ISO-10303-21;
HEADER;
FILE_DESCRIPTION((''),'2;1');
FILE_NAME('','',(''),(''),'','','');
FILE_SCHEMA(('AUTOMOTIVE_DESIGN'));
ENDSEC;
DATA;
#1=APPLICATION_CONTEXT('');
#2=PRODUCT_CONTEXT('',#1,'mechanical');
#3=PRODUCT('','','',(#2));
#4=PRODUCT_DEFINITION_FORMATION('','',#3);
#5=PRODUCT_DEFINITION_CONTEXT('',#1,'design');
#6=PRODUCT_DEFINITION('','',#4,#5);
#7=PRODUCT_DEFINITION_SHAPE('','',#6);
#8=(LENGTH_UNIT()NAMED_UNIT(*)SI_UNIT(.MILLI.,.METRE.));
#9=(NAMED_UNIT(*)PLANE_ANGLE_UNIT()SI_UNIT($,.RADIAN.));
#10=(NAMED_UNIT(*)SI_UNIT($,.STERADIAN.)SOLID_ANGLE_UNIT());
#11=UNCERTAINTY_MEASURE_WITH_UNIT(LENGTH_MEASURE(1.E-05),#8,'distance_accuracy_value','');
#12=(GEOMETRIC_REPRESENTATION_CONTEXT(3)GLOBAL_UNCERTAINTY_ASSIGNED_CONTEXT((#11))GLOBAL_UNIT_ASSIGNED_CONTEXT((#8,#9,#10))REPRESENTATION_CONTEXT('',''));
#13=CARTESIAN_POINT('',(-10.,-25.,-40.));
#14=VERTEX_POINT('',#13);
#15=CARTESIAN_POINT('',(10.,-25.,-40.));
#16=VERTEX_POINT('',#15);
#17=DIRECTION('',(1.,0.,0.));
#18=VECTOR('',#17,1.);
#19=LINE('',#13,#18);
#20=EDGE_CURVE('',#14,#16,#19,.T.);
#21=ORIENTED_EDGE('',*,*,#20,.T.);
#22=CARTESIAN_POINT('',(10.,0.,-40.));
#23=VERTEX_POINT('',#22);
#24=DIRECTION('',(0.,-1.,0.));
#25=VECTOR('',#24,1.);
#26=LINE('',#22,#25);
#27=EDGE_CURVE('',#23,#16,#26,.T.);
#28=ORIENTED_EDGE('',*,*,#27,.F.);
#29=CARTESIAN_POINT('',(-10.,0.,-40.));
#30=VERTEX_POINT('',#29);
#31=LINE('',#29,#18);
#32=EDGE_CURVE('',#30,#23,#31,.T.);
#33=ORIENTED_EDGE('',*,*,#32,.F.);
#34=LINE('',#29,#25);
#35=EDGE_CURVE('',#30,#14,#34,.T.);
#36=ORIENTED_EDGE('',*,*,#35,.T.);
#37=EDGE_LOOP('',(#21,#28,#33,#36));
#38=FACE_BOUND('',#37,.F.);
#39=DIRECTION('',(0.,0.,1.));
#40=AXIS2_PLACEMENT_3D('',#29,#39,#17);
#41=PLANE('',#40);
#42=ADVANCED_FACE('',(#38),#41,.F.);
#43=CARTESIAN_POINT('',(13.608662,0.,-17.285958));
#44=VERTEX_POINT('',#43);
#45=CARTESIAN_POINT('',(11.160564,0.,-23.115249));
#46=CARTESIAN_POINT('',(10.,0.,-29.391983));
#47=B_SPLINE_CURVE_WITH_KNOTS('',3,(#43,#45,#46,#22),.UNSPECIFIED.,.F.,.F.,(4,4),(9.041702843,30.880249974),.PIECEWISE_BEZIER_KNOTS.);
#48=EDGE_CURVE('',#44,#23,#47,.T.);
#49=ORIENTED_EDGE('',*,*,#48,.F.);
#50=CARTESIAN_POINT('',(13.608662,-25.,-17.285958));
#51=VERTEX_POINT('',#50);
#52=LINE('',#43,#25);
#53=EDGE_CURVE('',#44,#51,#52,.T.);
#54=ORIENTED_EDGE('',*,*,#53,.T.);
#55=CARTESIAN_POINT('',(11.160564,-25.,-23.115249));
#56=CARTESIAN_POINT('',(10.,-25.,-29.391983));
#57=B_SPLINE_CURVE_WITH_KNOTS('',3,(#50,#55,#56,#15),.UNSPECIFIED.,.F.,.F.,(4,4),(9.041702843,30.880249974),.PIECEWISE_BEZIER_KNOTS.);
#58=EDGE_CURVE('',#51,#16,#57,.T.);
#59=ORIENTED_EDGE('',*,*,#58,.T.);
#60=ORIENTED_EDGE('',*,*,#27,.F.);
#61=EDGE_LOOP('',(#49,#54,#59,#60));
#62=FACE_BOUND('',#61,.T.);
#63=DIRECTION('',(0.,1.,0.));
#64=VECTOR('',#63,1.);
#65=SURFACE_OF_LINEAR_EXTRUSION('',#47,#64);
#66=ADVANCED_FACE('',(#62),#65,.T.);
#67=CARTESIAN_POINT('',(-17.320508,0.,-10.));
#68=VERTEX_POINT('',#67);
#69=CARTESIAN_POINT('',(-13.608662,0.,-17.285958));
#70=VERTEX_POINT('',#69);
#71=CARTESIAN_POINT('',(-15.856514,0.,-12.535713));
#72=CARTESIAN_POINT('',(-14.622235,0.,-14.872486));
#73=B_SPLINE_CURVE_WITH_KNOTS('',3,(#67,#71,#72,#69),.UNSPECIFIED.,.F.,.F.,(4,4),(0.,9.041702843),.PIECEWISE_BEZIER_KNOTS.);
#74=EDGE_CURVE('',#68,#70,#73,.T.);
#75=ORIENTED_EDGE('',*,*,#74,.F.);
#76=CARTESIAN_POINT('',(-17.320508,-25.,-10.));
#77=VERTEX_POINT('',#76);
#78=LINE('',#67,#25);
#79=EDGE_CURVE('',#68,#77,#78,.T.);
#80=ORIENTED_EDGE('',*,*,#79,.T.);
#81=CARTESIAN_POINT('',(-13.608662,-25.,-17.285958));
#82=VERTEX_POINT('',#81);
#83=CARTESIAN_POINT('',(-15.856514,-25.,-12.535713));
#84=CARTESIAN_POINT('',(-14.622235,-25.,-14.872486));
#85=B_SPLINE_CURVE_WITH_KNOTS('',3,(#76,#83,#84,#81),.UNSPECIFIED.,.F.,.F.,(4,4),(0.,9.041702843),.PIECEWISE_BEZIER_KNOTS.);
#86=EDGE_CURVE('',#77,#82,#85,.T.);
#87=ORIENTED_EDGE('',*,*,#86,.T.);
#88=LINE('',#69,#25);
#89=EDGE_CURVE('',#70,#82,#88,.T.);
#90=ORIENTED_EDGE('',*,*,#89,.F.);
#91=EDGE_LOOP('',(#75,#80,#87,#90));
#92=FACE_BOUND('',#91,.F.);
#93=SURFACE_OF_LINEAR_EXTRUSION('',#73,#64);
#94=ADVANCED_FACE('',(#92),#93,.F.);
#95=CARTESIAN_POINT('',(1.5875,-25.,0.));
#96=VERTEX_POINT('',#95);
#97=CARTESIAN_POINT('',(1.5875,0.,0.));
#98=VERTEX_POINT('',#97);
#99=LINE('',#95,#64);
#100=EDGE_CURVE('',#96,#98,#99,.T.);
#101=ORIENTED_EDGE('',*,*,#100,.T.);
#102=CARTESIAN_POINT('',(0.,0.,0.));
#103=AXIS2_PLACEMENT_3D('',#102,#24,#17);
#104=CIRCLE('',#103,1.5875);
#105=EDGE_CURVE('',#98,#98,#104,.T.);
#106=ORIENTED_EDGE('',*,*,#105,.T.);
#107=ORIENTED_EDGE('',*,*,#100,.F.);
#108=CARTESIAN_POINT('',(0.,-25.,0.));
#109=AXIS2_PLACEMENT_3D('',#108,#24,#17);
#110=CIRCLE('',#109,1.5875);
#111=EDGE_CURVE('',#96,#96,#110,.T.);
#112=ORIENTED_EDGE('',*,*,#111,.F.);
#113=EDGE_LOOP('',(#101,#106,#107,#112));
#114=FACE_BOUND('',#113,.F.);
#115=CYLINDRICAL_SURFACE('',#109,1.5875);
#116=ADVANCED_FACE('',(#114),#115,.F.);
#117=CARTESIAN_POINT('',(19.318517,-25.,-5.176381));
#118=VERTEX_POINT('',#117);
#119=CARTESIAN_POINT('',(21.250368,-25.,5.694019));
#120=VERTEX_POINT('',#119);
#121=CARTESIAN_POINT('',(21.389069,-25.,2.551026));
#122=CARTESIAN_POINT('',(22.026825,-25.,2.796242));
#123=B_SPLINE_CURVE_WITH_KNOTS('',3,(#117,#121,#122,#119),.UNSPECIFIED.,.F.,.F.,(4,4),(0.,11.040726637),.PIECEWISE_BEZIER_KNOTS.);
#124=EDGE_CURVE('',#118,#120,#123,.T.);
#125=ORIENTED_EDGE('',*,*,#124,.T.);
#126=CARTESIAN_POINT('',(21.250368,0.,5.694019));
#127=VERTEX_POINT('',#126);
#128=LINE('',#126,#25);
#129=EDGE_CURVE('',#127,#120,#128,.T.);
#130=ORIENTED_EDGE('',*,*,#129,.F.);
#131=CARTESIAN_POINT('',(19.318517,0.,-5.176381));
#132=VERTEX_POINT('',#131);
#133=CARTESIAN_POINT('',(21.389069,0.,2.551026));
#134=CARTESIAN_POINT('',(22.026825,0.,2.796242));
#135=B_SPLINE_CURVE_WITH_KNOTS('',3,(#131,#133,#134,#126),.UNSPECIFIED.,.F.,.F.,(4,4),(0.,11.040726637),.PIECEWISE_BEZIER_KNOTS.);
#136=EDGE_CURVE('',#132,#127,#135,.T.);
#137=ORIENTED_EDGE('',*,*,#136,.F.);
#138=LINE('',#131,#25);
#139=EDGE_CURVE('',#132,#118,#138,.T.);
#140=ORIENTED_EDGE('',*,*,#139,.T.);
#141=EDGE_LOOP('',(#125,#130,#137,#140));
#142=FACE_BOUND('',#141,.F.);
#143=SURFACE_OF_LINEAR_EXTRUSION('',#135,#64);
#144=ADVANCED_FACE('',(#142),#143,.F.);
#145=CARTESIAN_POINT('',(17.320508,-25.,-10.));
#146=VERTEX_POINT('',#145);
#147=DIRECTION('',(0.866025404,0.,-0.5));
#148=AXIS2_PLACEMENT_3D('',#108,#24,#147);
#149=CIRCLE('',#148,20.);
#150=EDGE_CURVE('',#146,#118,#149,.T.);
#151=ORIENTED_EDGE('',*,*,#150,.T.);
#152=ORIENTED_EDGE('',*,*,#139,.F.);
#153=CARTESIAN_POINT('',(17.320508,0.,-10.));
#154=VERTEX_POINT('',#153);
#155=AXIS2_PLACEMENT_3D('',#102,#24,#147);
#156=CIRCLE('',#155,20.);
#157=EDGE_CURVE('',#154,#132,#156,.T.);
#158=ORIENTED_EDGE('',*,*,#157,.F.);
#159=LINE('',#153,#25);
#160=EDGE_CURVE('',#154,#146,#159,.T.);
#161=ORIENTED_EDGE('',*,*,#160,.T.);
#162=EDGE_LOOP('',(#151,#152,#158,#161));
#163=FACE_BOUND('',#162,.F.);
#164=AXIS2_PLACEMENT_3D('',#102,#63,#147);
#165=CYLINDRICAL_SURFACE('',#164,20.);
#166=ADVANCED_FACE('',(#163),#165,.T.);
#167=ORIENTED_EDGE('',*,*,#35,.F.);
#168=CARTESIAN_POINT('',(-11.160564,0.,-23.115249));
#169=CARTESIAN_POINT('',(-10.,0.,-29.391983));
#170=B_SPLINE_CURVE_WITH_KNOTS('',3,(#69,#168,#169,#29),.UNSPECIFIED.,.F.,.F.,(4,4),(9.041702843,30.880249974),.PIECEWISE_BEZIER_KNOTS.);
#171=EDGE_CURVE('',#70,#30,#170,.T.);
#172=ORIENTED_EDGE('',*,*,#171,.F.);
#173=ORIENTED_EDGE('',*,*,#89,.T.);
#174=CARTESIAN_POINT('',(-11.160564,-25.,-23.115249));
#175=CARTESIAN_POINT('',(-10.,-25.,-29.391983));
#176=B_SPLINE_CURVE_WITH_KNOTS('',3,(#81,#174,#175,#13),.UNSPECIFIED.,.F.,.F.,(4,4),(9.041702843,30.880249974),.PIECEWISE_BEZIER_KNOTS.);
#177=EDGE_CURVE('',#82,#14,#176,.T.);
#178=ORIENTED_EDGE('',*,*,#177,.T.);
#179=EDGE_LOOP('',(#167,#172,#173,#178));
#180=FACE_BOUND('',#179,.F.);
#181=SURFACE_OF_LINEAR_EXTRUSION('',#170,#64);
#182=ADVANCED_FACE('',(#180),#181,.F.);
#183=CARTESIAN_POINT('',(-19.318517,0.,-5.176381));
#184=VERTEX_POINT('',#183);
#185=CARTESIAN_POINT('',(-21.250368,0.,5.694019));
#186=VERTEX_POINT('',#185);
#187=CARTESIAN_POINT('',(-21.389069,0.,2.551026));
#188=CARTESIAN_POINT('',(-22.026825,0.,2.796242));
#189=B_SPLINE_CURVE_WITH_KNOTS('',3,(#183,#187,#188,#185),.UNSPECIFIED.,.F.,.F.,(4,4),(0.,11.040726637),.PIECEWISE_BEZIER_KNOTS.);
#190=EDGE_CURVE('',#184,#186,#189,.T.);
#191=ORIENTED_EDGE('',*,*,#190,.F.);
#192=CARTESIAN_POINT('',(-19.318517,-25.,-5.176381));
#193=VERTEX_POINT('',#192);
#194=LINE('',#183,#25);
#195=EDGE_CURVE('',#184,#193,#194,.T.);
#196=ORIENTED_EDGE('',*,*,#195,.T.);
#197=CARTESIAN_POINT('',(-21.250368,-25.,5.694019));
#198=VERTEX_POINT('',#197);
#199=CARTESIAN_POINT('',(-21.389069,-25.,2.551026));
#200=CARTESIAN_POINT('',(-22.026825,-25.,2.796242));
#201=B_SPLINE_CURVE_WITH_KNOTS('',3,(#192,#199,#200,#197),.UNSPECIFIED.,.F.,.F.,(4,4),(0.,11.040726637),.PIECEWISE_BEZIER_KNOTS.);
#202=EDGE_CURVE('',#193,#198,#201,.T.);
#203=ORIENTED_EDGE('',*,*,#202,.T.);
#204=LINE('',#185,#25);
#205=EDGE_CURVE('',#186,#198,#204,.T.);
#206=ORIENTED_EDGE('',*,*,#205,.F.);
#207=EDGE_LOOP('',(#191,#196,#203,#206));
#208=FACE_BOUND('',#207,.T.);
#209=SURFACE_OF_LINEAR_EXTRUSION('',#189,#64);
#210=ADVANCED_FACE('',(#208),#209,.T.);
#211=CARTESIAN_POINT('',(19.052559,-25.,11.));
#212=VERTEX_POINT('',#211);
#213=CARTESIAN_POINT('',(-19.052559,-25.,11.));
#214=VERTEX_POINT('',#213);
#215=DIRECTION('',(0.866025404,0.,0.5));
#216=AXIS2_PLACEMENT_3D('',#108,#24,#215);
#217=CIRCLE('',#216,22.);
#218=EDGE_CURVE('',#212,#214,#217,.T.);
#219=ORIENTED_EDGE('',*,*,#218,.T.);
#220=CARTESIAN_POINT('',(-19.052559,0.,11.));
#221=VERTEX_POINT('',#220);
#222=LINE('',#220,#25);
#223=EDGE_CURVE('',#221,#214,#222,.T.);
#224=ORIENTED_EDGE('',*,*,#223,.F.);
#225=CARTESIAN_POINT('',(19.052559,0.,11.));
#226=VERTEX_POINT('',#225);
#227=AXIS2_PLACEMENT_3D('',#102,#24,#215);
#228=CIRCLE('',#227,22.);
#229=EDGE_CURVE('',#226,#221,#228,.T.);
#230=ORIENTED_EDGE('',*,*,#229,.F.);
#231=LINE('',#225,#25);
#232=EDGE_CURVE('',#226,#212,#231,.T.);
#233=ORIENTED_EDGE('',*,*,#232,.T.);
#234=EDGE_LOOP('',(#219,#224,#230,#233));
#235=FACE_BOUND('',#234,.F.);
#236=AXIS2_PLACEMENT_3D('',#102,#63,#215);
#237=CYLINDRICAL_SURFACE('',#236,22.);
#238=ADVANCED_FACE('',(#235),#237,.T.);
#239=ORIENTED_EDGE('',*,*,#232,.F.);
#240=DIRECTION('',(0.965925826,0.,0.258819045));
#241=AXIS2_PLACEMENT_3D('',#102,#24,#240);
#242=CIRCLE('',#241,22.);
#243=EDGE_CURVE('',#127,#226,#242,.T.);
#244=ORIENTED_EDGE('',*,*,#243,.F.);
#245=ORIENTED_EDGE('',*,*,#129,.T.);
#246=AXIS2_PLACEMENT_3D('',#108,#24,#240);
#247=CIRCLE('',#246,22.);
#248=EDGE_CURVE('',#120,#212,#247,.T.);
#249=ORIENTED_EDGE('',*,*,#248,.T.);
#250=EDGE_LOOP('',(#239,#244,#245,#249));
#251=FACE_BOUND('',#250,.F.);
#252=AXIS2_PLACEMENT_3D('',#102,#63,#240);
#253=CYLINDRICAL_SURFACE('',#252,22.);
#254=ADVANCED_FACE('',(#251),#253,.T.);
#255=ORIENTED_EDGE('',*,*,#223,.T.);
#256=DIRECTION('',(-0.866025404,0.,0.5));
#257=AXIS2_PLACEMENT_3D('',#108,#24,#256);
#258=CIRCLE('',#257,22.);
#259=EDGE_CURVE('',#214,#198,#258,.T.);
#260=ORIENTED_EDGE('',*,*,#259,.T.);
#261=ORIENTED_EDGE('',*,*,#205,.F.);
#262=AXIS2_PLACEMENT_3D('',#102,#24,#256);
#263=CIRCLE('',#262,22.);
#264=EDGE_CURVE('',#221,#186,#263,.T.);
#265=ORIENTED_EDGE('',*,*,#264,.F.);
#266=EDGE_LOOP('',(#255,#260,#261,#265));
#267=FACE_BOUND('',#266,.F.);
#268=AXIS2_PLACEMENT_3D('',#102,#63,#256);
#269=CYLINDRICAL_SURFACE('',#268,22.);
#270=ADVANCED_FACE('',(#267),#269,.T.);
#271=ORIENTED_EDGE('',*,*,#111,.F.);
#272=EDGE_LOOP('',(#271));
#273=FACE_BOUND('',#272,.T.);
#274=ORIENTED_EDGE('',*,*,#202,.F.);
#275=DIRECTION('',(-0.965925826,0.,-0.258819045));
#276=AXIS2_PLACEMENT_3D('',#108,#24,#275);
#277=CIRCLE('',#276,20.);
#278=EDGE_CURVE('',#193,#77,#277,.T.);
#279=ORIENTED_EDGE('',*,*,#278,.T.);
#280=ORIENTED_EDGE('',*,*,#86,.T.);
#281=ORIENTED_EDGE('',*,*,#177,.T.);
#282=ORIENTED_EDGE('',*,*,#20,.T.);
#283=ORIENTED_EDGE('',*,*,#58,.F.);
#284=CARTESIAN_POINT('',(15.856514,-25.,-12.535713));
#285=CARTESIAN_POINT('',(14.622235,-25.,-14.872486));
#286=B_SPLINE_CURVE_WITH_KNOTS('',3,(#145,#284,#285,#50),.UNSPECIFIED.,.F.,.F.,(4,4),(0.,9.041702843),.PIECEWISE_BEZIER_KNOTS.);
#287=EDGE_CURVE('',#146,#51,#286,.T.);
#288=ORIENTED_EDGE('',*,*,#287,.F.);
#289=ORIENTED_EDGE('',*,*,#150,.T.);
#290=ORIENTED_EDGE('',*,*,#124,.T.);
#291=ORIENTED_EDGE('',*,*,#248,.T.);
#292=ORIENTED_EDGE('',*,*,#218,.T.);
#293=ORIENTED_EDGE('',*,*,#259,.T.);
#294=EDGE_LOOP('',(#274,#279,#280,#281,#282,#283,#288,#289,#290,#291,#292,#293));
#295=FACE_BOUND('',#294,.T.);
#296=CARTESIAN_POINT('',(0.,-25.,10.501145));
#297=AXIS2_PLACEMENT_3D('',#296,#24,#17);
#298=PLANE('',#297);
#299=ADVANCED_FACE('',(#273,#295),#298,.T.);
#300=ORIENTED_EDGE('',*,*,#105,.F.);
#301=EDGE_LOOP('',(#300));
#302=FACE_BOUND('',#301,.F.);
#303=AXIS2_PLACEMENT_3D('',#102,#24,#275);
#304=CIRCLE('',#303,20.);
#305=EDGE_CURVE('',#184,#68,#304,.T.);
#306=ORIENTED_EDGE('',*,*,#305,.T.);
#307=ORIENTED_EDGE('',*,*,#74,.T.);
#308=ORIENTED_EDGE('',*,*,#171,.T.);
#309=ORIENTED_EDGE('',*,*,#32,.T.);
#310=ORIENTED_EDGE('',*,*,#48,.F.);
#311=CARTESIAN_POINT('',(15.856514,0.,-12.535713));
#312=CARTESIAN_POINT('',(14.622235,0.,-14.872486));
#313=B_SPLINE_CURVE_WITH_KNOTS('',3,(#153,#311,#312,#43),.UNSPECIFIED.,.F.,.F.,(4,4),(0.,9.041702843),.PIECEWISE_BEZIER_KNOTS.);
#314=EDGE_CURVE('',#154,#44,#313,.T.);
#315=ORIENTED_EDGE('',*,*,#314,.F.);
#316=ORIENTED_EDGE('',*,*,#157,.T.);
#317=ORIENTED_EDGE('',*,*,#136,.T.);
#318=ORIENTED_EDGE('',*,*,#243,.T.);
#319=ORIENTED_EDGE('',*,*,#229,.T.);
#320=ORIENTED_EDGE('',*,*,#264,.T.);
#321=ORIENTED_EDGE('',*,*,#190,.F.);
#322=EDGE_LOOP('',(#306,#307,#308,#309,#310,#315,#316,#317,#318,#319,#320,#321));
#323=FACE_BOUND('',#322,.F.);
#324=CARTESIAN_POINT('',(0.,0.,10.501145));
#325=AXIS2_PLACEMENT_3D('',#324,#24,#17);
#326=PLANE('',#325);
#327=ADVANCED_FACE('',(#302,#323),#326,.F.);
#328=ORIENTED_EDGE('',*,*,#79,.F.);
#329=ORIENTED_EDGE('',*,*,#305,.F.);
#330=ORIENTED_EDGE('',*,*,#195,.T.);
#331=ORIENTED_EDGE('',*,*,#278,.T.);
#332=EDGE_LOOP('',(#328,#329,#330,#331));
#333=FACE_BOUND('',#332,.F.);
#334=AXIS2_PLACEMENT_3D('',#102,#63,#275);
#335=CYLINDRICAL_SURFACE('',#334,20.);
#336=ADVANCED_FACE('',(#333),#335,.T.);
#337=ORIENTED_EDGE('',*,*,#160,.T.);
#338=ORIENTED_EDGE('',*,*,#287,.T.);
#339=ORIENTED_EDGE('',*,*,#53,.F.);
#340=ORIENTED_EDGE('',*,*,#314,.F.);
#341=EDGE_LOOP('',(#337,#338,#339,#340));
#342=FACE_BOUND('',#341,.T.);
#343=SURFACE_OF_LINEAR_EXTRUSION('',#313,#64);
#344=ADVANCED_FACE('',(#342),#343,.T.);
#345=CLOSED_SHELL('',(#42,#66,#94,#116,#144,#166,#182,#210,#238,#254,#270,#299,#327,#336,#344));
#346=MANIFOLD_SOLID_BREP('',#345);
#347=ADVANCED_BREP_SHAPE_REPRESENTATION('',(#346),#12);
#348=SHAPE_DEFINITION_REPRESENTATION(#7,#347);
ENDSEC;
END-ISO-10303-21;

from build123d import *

# Parameters (mm, degrees)
F1_DEPTH = 25
F2_R     = 1.5875
F3_DEPTH = 25


with BuildPart() as f1:
    # F0 (on Front) → F1 (new body)
    with BuildSketch(Plane.XZ):
        with BuildLine():
            Line((-17.3205080757, 10), (0, 0))
            Line((0, 0), (17.3205080757, 10))
            ThreePointArc((17.3205080757, 10), (0, 20), (-17.3205080757, 10))
        make_face()
        with BuildLine():
            ThreePointArc((19.0525588833, 11), (0, 22), (-19.0525588833, 11))
            Line((-19.0525588833, 11), (-17.3205080757, 10))
            ThreePointArc((-17.3205080757, 10), (0, 20), (17.3205080757, 10))
            Line((17.3205080757, 10), (19.0525588833, 11))
        make_face()
        with BuildLine():
            Line((19.3185165258, 5.1763809021), (21.2503681784, 5.6940189923))
            ThreePointArc((21.2503681784, 5.6940189923), (20.3253497152, 8.419035512), (19.0525588833, 11))
            Line((19.0525588833, 11), (17.3205080757, 10))
            ThreePointArc((17.3205080757, 10), (18.4775906502, 7.6536686473), (19.3185165258, 5.1763809021))
        make_face()
        with BuildLine():
            Line((17.3205080757, 10), (0, 0))
            Line((0, 0), (19.3185165258, 5.1763809021))
            ThreePointArc((19.3185165258, 5.1763809021), (18.4775906502, 7.6536686473), (17.3205080757, 10))
        make_face()
        with BuildLine():
            Line((0, 0), (19.3185165258, -5.1763809021))
            ThreePointArc((19.3185165258, -5.1763809021), (19.8288972275, -2.6105238444), (20, 0))
            ThreePointArc((20, 0), (19.8288972275, 2.6105238444), (19.3185165258, 5.1763809021))
            Line((19.3185165258, 5.1763809021), (0, 0))
        make_face()
        with BuildLine():
            add(Edge.make_bspline(
                [(19.3185165258, -5.1763809021), (21.3890688866, 2.5510257083), (22.0268253137, 2.7962415134), (21.2503681784, 5.6940189923)],
                knots=[0, 0, 0, 0, 11.0407266369, 11.0407266369, 11.0407266369, 11.0407266369], degree=3))
            Line((21.2503681784, 5.6940189923), (19.3185165258, 5.1763809021))
            ThreePointArc((19.3185165258, 5.1763809021), (19.8288972275, 2.6105238444), (20, 0))
            ThreePointArc((20, 0), (19.8288972275, -2.6105238444), (19.3185165258, -5.1763809021))
        make_face()
        with BuildLine():
            Line((0, 0), (17.3205080757, -10))
            ThreePointArc((17.3205080757, -10), (18.4775906502, -7.6536686473), (19.3185165258, -5.1763809021))
            Line((19.3185165258, -5.1763809021), (0, 0))
        make_face()
        with BuildLine():
            ThreePointArc((-17.3205080757, -10), (0, -20), (17.3205080757, -10))
            Line((17.3205080757, -10), (0, 0))
            Line((0, 0), (-17.3205080757, 10))
            ThreePointArc((-17.3205080757, 10), (-19.8288972275, 2.6105238444), (-19.3185165258, -5.1763809021))
            ThreePointArc((-19.3185165258, -5.1763809021), (-18.4775906502, -7.6536686473), (-17.3205080757, -10))
        make_face()
        with BuildLine():
            Line((-10, -40), (10, -40))
            add(Edge.make_bspline(
                [(13.6086616321, -17.2859575547), (11.1605636245, -23.1152490417), (10, -29.3919833148), (10, -40)],
                knots=[9.0417028431, 9.0417028431, 9.0417028431, 9.0417028431, 30.8802499745, 30.8802499745, 30.8802499745, 30.8802499745], degree=3))
            ThreePointArc((13.6086616321, -17.2859575547), (13.1773214563, -17.6169860997), (12.7379323807, -17.9372539332))
            ThreePointArc((12.7379323807, -17.9372539332), (-0.543681065, -21.9932810399), (-13.6086616321, -17.2859575547))
            add(Edge.make_bspline(
                [(-13.6086616321, -17.2859575547), (-11.1605636245, -23.1152490417), (-10, -29.3919833148), (-10, -40)],
                knots=[9.0417028431, 9.0417028431, 9.0417028431, 9.0417028431, 30.8802499745, 30.8802499745, 30.8802499745, 30.8802499745], degree=3))
        make_face()
        with BuildLine():
            add(Edge.make_bspline(
                [(-17.3205080757, -10), (-15.8565136374, -12.5357127491), (-14.6222352267, -14.8724855827), (-13.6086616321, -17.2859575547)],
                knots=[0, 0, 0, 0, 9.0417028431, 9.0417028431, 9.0417028431, 9.0417028431], degree=3))
            ThreePointArc((-13.6086616321, -17.2859575547), (-0.543681065, -21.9932810399), (12.7379323807, -17.9372539332))
            Line((12.7379323807, -17.9372539332), (17.3205080757, -10))
            ThreePointArc((17.3205080757, -10), (0, -20), (-17.3205080757, -10))
        make_face()
        with BuildLine():
            ThreePointArc((-19.0525588833, 11), (-20.3253497152, 8.419035512), (-21.2503681784, 5.6940189923))
            add(Edge.make_bspline(
                [(-19.3185165258, -5.1763809021), (-21.3890688866, 2.5510257083), (-22.0268253137, 2.7962415134), (-21.2503681784, 5.6940189923)],
                knots=[0, 0, 0, 0, 11.0407266369, 11.0407266369, 11.0407266369, 11.0407266369], degree=3))
            ThreePointArc((-19.3185165258, -5.1763809021), (-19.8288972275, 2.6105238444), (-17.3205080757, 10))
            Line((-17.3205080757, 10), (-19.0525588833, 11))
        make_face()
        with BuildLine():
            ThreePointArc((12.7379323807, -17.9372539332), (13.1773214563, -17.6169860997), (13.6086616321, -17.2859575547))
            add(Edge.make_bspline(
                [(17.3205080757, -10), (15.8565136374, -12.5357127491), (14.6222352267, -14.8724855827), (13.6086616321, -17.2859575547)],
                knots=[0, 0, 0, 0, 9.0417028431, 9.0417028431, 9.0417028431, 9.0417028431], degree=3))
            Line((17.3205080757, -10), (12.7379323807, -17.9372539332))
        make_face()
    extrude(amount=F1_DEPTH)

    # F2 (on face) → F3 (cut)
    with BuildSketch(Plane.XZ.offset(25)):
        Circle(F2_R)
    extrude(amount=-F3_DEPTH, mode=Mode.SUBTRACT)


solid = f1.part
